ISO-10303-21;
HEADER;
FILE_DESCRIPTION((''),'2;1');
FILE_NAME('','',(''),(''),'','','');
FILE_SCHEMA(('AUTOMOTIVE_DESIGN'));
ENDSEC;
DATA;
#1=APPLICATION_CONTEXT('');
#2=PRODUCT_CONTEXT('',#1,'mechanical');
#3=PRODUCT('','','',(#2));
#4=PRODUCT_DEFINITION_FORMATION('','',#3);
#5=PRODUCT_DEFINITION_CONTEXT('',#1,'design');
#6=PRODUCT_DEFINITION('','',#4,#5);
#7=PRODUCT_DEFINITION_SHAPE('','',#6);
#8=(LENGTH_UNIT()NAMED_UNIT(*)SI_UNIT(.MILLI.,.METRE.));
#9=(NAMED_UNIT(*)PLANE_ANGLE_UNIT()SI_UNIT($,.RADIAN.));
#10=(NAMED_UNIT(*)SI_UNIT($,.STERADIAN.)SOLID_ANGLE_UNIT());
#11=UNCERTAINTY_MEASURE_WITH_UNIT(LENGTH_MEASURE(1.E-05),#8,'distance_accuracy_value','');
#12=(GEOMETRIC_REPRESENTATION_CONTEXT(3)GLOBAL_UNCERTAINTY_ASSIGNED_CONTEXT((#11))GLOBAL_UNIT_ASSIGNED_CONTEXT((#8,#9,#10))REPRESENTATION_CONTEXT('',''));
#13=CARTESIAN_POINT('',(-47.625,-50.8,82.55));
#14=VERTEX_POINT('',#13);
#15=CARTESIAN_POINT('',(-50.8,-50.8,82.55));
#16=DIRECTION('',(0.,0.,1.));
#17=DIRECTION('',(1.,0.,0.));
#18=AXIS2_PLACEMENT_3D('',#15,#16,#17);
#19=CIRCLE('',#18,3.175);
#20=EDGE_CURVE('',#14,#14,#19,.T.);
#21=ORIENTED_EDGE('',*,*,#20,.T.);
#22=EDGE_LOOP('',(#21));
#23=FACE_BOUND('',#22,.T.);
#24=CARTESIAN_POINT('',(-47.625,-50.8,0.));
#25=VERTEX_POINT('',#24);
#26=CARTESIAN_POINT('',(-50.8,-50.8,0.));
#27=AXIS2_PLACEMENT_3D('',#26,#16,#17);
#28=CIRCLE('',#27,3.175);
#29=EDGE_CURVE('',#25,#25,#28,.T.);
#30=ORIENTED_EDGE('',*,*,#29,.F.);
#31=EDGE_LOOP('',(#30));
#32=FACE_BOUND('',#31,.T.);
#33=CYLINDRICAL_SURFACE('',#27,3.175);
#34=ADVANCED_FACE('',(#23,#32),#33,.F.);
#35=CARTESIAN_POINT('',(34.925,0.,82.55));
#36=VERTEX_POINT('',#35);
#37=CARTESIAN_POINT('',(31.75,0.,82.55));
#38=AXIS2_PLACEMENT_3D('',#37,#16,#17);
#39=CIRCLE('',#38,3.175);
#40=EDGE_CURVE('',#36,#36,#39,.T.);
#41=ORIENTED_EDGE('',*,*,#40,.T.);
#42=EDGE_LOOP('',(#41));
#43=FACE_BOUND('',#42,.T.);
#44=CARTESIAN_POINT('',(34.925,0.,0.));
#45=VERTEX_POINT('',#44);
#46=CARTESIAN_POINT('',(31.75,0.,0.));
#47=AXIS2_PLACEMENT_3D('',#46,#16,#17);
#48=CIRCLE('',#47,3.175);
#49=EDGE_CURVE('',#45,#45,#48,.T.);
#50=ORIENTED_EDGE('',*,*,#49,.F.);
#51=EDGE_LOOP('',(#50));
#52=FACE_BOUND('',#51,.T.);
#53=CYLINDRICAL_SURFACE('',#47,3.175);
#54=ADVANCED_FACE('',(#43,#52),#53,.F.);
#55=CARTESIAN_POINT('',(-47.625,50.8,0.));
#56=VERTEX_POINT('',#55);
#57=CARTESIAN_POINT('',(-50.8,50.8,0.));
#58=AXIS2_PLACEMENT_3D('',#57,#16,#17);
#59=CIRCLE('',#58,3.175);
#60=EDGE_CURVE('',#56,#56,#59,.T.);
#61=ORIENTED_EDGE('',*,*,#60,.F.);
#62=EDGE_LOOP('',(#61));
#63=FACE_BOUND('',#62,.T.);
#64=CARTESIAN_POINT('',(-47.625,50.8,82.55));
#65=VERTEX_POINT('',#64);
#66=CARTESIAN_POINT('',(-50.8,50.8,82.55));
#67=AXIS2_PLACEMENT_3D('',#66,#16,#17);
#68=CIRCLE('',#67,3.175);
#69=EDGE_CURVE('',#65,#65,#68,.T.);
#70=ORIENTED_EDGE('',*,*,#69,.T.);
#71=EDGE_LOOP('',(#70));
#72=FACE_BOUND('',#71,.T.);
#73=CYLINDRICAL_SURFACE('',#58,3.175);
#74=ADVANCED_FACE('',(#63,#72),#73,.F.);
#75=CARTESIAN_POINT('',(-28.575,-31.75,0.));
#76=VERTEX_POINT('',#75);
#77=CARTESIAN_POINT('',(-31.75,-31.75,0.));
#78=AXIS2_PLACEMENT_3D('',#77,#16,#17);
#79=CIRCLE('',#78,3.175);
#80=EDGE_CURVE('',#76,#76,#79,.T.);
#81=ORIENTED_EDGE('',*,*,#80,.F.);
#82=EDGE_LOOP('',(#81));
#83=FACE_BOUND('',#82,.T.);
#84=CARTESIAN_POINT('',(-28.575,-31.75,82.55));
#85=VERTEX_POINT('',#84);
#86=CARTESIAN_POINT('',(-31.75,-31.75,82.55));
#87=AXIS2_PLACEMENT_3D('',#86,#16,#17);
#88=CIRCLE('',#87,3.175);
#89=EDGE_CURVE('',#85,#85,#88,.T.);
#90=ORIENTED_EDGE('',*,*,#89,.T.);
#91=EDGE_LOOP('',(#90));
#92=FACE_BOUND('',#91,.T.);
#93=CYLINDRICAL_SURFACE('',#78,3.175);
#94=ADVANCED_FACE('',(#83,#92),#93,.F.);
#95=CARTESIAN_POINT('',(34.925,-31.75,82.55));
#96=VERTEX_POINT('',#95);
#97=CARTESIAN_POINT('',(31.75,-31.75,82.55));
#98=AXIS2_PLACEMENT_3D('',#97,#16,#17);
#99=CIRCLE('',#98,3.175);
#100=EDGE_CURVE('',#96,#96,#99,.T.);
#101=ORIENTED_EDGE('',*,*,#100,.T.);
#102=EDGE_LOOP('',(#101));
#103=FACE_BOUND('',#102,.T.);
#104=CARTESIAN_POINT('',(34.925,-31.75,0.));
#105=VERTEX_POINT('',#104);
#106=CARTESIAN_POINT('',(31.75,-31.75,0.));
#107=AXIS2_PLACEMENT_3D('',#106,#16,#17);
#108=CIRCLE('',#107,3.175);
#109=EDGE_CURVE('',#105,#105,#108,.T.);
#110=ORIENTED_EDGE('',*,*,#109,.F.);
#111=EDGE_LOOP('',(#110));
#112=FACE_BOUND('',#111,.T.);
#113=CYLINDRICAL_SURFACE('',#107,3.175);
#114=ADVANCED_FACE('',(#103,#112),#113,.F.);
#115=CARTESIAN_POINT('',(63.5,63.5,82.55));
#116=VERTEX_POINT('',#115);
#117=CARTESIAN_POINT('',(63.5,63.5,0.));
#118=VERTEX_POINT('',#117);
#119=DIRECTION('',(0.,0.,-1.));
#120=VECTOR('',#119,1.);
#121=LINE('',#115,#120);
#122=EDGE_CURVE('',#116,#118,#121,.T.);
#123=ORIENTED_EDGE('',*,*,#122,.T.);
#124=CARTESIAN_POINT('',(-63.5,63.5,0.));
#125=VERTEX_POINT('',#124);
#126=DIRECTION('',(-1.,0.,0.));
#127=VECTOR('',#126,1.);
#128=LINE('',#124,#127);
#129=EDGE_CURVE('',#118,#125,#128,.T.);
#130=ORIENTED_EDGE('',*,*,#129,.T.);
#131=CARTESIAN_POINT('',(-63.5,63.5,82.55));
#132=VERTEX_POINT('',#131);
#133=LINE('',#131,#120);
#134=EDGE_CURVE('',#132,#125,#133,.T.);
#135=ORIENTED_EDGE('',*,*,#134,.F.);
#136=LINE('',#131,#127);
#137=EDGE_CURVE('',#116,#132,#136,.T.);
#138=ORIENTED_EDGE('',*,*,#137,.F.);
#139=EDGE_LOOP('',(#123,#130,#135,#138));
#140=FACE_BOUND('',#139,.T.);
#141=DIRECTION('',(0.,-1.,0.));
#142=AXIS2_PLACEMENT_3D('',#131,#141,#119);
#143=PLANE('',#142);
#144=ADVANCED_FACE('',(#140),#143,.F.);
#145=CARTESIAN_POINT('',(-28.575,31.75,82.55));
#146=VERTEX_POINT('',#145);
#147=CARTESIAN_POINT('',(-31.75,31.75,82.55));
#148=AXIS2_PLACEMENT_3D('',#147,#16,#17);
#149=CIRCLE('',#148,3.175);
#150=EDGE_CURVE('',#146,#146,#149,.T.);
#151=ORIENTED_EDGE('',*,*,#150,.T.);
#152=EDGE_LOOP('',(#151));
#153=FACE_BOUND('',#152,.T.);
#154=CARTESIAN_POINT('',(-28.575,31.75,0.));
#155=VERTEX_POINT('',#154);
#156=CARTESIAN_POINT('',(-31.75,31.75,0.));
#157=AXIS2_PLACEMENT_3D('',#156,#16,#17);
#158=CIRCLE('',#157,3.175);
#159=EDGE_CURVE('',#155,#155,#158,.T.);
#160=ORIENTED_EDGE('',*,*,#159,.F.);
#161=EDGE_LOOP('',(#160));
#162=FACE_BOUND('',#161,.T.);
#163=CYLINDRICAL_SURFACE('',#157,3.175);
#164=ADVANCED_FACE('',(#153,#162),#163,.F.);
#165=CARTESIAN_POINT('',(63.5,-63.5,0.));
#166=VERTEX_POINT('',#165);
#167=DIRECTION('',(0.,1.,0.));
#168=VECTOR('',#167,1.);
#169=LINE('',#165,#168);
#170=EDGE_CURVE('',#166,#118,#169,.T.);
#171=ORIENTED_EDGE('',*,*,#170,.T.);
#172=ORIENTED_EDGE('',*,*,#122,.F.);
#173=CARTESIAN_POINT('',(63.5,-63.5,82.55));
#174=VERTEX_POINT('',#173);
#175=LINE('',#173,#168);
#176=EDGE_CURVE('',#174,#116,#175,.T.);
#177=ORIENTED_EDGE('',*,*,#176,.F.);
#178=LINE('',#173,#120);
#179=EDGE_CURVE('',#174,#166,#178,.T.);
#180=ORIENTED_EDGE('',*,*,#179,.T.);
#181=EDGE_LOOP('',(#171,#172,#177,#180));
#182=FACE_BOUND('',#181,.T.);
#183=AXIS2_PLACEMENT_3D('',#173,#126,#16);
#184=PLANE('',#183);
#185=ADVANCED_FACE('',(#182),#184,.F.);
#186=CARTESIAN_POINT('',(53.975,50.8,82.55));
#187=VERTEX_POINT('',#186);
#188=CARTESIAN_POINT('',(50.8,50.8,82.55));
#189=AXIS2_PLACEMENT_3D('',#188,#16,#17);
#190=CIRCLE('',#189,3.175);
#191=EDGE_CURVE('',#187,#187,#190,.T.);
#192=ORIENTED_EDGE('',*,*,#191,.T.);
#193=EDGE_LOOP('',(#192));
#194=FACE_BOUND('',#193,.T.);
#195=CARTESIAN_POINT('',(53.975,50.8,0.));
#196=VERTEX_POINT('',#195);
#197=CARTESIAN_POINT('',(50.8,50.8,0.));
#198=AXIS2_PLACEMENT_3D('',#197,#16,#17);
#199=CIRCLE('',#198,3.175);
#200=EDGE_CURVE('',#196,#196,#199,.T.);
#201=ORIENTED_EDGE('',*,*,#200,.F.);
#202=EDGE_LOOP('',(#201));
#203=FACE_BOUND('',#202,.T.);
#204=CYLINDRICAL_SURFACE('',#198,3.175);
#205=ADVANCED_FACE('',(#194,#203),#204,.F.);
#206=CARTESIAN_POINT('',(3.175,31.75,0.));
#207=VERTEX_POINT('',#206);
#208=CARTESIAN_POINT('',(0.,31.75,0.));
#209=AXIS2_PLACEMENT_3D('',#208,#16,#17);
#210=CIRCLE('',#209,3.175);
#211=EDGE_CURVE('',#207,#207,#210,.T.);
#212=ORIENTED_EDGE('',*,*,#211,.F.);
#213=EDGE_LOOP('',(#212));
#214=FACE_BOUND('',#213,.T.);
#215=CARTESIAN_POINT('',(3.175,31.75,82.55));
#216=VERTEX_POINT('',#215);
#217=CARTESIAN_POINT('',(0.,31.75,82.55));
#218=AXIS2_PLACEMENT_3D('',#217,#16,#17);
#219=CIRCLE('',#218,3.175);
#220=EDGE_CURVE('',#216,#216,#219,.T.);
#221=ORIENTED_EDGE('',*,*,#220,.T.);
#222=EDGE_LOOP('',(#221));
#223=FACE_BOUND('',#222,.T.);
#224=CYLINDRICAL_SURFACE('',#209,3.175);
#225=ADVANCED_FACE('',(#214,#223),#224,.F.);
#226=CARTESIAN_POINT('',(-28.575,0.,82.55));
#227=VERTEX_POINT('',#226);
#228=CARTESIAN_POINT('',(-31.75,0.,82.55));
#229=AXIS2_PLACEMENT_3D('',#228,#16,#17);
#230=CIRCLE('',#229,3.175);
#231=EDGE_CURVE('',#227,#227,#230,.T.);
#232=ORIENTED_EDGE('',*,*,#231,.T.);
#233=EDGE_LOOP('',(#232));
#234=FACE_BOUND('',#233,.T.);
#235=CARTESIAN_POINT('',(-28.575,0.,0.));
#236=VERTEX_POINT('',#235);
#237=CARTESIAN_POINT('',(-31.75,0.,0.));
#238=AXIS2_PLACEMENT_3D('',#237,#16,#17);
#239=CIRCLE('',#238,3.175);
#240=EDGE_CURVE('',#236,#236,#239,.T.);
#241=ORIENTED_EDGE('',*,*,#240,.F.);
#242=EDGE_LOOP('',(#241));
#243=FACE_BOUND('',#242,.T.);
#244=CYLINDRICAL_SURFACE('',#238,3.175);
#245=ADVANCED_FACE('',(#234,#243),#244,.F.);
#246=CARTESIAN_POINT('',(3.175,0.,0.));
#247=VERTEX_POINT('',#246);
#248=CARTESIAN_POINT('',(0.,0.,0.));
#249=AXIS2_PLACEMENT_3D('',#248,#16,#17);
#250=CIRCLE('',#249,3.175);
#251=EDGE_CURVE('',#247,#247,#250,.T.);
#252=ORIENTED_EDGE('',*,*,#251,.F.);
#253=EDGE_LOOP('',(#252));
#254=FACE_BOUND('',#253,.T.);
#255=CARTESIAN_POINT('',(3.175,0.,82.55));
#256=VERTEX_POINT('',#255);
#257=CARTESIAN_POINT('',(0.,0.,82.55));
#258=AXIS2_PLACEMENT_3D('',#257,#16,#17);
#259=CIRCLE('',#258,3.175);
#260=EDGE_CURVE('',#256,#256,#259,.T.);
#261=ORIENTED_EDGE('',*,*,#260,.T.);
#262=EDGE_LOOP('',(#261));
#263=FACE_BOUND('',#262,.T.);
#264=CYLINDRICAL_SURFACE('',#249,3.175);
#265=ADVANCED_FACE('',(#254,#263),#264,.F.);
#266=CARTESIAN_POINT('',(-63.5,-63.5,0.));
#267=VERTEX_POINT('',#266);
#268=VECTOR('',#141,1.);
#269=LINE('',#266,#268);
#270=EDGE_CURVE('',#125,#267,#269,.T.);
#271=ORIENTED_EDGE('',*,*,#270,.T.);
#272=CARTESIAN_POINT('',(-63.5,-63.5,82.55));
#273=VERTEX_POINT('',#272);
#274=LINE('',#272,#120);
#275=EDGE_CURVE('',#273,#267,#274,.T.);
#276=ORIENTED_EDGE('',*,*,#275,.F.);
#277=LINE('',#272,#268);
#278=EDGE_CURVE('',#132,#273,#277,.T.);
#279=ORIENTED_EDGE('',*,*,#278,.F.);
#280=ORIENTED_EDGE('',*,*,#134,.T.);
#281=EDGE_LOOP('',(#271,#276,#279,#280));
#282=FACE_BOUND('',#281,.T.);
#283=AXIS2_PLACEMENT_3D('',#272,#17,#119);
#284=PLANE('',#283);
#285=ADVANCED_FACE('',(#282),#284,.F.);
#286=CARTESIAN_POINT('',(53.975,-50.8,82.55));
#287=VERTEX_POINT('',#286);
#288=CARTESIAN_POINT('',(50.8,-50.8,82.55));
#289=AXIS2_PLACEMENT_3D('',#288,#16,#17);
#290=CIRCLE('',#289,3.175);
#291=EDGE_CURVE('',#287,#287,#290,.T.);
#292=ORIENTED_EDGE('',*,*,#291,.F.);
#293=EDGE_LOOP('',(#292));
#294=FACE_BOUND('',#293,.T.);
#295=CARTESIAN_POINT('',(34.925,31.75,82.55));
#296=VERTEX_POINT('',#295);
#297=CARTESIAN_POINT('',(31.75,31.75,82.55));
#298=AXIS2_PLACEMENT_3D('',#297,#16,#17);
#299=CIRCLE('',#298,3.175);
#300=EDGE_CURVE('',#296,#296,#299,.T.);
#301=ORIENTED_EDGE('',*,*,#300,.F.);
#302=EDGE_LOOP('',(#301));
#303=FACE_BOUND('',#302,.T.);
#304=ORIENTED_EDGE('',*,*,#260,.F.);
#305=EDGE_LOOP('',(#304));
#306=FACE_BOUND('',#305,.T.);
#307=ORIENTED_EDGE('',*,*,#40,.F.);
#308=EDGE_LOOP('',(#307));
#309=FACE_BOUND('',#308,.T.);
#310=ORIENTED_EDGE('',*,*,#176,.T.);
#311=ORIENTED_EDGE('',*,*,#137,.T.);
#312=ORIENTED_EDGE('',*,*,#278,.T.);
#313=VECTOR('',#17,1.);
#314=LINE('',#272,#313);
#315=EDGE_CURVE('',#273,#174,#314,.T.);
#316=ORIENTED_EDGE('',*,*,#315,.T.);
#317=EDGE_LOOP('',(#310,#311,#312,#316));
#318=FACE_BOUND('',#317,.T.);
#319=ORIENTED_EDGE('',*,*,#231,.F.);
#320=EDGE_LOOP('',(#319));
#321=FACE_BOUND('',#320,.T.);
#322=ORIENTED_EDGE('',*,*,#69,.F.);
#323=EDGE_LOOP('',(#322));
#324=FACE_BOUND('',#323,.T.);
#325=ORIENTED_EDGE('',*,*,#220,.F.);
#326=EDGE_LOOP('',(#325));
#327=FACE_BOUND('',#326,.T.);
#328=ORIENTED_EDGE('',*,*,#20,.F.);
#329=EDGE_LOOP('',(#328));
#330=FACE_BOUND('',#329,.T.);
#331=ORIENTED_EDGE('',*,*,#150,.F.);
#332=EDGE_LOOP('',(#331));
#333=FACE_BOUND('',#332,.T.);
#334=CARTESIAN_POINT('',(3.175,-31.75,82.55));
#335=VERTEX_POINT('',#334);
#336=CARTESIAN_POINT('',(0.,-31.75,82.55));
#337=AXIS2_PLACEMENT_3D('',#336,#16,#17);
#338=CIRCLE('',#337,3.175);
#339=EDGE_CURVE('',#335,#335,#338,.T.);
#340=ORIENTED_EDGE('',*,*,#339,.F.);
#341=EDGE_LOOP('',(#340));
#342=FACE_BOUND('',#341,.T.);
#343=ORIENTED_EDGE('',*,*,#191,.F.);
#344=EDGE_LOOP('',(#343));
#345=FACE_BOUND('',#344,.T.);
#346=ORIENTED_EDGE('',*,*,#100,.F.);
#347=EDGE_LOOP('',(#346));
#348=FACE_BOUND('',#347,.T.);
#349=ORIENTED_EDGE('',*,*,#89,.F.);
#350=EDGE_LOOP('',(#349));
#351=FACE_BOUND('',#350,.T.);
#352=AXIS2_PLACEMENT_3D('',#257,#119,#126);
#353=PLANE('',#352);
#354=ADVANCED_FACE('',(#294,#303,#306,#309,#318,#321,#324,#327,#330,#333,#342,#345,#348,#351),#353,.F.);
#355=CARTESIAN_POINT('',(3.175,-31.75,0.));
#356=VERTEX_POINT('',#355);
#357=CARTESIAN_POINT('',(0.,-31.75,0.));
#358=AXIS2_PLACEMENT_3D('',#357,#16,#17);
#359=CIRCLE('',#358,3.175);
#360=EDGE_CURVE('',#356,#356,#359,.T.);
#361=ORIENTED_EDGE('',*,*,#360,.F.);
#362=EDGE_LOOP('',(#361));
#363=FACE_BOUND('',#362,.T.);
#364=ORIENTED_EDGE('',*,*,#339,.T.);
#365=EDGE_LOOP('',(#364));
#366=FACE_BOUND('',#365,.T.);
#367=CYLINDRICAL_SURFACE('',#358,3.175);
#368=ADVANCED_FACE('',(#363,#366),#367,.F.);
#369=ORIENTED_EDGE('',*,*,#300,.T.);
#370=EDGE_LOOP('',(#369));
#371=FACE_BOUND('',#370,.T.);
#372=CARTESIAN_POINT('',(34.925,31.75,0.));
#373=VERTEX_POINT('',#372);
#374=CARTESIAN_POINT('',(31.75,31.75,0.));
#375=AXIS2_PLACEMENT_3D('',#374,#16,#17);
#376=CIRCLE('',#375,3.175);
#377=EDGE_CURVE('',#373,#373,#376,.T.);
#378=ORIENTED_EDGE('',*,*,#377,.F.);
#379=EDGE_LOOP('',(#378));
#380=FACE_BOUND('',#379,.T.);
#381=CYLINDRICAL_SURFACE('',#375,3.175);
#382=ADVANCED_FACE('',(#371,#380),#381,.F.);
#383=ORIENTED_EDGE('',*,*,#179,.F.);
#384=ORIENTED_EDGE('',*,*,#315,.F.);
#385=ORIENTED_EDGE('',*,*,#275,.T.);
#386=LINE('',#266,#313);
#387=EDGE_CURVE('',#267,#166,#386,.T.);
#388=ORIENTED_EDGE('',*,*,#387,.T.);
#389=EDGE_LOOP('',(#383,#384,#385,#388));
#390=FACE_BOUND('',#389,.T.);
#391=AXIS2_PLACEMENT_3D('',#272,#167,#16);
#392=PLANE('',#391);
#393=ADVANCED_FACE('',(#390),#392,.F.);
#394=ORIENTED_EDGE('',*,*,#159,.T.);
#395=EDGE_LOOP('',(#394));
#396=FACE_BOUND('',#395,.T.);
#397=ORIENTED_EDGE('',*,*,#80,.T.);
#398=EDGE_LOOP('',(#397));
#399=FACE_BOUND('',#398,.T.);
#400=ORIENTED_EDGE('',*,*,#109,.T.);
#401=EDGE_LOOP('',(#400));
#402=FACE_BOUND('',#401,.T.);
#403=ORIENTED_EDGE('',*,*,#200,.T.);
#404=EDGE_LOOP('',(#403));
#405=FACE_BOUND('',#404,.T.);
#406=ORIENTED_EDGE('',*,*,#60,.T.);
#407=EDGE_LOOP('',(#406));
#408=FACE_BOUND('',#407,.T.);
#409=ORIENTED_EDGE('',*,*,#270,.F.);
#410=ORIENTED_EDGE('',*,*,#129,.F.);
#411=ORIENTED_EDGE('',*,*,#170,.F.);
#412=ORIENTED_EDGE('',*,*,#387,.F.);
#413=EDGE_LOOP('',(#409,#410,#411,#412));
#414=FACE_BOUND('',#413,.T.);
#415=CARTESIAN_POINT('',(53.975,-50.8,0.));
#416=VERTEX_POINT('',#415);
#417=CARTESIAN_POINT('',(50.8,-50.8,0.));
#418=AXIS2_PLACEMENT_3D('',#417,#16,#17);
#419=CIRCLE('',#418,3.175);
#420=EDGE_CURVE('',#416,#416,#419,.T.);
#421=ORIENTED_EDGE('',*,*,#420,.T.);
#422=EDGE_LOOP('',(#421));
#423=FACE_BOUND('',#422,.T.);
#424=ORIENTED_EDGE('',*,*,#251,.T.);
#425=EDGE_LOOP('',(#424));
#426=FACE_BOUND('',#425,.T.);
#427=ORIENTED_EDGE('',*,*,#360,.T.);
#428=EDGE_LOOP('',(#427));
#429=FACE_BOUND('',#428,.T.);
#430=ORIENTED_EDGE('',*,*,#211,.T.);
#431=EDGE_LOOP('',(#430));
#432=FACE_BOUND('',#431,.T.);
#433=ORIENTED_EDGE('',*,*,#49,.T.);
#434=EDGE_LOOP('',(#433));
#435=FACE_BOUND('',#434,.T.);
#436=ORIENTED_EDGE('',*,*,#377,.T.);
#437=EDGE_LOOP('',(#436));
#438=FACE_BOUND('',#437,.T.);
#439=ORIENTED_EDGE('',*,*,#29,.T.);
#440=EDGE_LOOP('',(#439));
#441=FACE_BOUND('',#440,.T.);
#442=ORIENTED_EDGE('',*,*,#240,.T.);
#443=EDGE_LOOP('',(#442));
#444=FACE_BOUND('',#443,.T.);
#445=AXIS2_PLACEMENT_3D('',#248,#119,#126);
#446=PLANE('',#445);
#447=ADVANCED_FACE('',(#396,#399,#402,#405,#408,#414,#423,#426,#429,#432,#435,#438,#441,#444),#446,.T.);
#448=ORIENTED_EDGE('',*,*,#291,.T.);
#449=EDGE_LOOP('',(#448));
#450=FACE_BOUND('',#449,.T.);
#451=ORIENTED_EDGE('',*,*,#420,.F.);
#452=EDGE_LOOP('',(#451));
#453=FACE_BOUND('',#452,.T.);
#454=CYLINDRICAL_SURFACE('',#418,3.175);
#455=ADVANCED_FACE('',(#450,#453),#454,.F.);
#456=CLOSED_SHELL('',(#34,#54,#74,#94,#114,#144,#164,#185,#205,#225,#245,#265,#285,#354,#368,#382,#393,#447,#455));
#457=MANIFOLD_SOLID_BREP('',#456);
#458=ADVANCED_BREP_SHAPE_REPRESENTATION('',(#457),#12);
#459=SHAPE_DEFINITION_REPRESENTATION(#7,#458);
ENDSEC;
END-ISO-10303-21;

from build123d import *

# Parameters (mm, degrees)
SKETCH1_W                     = 127
SKETCH1_H                     = 127
BOSS_EXTRUDE1_DEPTH           = 82.55
SKETCH2_R                     = 3.175
CUT_EXTRUDE1_DEPTH            = 83.55
LPATTERN1_COUNT               = 2
LPATTERN1_PITCH               = 31.75
LPATTERN1_COL_COUNT           = 2
LPATTERN1_COL_PITCH           = 31.75
LPATTERN2_COUNT               = 2
LPATTERN2_PITCH               = 31.75
LPATTERN2_COPY_1_SKETCH_R     = 3.175
LPATTERN2_COPY_1_DEPTH        = 83.55
LPATTERN2_COPY_2_SKETCH_R     = 3.175
LPATTERN2_COPY_2_DEPTH        = 83.55
LPATTERN2_COL_COUNT           = 2
LPATTERN2_COL_PITCH           = 31.75
LPATTERN2_COL_COPY_1_SKETCH_R = 3.175
LPATTERN2_COL_COPY_1_DEPTH    = 83.55
LPATTERN2_COL_COPY_2_SKETCH_R = 3.175
LPATTERN2_COL_COPY_2_DEPTH    = 83.55
SKETCH3_R                     = 3.175
CUT_EXTRUDE2_DEPTH            = 83.55


with BuildPart() as part:
    # Sketch1 → Boss-Extrude1 (new body)
    with BuildSketch(Plane.XY):
        Rectangle(SKETCH1_W, SKETCH1_H)
    extrude(amount=BOSS_EXTRUDE1_DEPTH)

    # Sketch2 → Cut-Extrude1 (cut, through all)
    with BuildSketch(Plane.XY.offset(82.55)):
        Circle(SKETCH2_R)
    cut_extrude1 = extrude(amount=-CUT_EXTRUDE1_DEPTH, mode=Mode.SUBTRACT)

    # LPattern1: Cut-Extrude1 ×2
    with Locations(*[(-i * LPATTERN1_PITCH, 0, 0) for i in range(1, LPATTERN1_COUNT)]):
        add(cut_extrude1, mode=Mode.SUBTRACT)

    # LPattern1 col: Cut-Extrude1 ×2
    with Locations(*[(i * LPATTERN1_COL_PITCH, 0, 0) for i in range(1, LPATTERN1_COL_COUNT)]):
        add(cut_extrude1, mode=Mode.SUBTRACT)

    # LPattern2: Cut-Extrude1 ×2
    with Locations(*[(0, -i * LPATTERN2_PITCH, 0) for i in range(1, LPATTERN2_COUNT)]):
        add(cut_extrude1, mode=Mode.SUBTRACT)

    # LPattern2 copy 1 sketch → LPattern2 copy 1 (cut, through all)
    with BuildSketch(Plane(origin=(-31.75, -31.75, 82.55), x_dir=(1, 0, 0), z_dir=(0, 0, 1))):
        Circle(LPATTERN2_COPY_1_SKETCH_R)
    extrude(amount=-LPATTERN2_COPY_1_DEPTH, mode=Mode.SUBTRACT)

    # LPattern2 copy 2 sketch → LPattern2 copy 2 (cut, through all)
    with BuildSketch(Plane(origin=(31.75, -31.75, 82.55), x_dir=(1, 0, 0), z_dir=(0, 0, 1))):
        Circle(LPATTERN2_COPY_2_SKETCH_R)
    extrude(amount=-LPATTERN2_COPY_2_DEPTH, mode=Mode.SUBTRACT)

    # LPattern2 col: Cut-Extrude1 ×2
    with Locations(*[(0, i * LPATTERN2_COL_PITCH, 0) for i in range(1, LPATTERN2_COL_COUNT)]):
        add(cut_extrude1, mode=Mode.SUBTRACT)

    # LPattern2 col copy 1 sketch → LPattern2 col copy 1 (cut, through all)
    with BuildSketch(Plane(origin=(-31.75, 31.75, 82.55), x_dir=(1, 0, 0), z_dir=(0, 0, 1))):
        Circle(LPATTERN2_COL_COPY_1_SKETCH_R)
    extrude(amount=-LPATTERN2_COL_COPY_1_DEPTH, mode=Mode.SUBTRACT)

    # LPattern2 col copy 2 sketch → LPattern2 col copy 2 (cut, through all)
    with BuildSketch(Plane(origin=(31.75, 31.75, 82.55), x_dir=(1, 0, 0), z_dir=(0, 0, 1))):
        Circle(LPATTERN2_COL_COPY_2_SKETCH_R)
    extrude(amount=-LPATTERN2_COL_COPY_2_DEPTH, mode=Mode.SUBTRACT)

    # Sketch3 → Cut-Extrude2 (cut, through all)
    with BuildSketch(Plane.XY.offset(82.55)):
        with Locations((-50.8, 50.8)):
            Circle(SKETCH3_R)
        with Locations((50.8, 50.8)):
            Circle(SKETCH3_R)
        with Locations((50.8, -50.8)):
            Circle(SKETCH3_R)
        with Locations((-50.8, -50.8)):
            Circle(SKETCH3_R)
    extrude(amount=-CUT_EXTRUDE2_DEPTH, mode=Mode.SUBTRACT)


solid = part.part
